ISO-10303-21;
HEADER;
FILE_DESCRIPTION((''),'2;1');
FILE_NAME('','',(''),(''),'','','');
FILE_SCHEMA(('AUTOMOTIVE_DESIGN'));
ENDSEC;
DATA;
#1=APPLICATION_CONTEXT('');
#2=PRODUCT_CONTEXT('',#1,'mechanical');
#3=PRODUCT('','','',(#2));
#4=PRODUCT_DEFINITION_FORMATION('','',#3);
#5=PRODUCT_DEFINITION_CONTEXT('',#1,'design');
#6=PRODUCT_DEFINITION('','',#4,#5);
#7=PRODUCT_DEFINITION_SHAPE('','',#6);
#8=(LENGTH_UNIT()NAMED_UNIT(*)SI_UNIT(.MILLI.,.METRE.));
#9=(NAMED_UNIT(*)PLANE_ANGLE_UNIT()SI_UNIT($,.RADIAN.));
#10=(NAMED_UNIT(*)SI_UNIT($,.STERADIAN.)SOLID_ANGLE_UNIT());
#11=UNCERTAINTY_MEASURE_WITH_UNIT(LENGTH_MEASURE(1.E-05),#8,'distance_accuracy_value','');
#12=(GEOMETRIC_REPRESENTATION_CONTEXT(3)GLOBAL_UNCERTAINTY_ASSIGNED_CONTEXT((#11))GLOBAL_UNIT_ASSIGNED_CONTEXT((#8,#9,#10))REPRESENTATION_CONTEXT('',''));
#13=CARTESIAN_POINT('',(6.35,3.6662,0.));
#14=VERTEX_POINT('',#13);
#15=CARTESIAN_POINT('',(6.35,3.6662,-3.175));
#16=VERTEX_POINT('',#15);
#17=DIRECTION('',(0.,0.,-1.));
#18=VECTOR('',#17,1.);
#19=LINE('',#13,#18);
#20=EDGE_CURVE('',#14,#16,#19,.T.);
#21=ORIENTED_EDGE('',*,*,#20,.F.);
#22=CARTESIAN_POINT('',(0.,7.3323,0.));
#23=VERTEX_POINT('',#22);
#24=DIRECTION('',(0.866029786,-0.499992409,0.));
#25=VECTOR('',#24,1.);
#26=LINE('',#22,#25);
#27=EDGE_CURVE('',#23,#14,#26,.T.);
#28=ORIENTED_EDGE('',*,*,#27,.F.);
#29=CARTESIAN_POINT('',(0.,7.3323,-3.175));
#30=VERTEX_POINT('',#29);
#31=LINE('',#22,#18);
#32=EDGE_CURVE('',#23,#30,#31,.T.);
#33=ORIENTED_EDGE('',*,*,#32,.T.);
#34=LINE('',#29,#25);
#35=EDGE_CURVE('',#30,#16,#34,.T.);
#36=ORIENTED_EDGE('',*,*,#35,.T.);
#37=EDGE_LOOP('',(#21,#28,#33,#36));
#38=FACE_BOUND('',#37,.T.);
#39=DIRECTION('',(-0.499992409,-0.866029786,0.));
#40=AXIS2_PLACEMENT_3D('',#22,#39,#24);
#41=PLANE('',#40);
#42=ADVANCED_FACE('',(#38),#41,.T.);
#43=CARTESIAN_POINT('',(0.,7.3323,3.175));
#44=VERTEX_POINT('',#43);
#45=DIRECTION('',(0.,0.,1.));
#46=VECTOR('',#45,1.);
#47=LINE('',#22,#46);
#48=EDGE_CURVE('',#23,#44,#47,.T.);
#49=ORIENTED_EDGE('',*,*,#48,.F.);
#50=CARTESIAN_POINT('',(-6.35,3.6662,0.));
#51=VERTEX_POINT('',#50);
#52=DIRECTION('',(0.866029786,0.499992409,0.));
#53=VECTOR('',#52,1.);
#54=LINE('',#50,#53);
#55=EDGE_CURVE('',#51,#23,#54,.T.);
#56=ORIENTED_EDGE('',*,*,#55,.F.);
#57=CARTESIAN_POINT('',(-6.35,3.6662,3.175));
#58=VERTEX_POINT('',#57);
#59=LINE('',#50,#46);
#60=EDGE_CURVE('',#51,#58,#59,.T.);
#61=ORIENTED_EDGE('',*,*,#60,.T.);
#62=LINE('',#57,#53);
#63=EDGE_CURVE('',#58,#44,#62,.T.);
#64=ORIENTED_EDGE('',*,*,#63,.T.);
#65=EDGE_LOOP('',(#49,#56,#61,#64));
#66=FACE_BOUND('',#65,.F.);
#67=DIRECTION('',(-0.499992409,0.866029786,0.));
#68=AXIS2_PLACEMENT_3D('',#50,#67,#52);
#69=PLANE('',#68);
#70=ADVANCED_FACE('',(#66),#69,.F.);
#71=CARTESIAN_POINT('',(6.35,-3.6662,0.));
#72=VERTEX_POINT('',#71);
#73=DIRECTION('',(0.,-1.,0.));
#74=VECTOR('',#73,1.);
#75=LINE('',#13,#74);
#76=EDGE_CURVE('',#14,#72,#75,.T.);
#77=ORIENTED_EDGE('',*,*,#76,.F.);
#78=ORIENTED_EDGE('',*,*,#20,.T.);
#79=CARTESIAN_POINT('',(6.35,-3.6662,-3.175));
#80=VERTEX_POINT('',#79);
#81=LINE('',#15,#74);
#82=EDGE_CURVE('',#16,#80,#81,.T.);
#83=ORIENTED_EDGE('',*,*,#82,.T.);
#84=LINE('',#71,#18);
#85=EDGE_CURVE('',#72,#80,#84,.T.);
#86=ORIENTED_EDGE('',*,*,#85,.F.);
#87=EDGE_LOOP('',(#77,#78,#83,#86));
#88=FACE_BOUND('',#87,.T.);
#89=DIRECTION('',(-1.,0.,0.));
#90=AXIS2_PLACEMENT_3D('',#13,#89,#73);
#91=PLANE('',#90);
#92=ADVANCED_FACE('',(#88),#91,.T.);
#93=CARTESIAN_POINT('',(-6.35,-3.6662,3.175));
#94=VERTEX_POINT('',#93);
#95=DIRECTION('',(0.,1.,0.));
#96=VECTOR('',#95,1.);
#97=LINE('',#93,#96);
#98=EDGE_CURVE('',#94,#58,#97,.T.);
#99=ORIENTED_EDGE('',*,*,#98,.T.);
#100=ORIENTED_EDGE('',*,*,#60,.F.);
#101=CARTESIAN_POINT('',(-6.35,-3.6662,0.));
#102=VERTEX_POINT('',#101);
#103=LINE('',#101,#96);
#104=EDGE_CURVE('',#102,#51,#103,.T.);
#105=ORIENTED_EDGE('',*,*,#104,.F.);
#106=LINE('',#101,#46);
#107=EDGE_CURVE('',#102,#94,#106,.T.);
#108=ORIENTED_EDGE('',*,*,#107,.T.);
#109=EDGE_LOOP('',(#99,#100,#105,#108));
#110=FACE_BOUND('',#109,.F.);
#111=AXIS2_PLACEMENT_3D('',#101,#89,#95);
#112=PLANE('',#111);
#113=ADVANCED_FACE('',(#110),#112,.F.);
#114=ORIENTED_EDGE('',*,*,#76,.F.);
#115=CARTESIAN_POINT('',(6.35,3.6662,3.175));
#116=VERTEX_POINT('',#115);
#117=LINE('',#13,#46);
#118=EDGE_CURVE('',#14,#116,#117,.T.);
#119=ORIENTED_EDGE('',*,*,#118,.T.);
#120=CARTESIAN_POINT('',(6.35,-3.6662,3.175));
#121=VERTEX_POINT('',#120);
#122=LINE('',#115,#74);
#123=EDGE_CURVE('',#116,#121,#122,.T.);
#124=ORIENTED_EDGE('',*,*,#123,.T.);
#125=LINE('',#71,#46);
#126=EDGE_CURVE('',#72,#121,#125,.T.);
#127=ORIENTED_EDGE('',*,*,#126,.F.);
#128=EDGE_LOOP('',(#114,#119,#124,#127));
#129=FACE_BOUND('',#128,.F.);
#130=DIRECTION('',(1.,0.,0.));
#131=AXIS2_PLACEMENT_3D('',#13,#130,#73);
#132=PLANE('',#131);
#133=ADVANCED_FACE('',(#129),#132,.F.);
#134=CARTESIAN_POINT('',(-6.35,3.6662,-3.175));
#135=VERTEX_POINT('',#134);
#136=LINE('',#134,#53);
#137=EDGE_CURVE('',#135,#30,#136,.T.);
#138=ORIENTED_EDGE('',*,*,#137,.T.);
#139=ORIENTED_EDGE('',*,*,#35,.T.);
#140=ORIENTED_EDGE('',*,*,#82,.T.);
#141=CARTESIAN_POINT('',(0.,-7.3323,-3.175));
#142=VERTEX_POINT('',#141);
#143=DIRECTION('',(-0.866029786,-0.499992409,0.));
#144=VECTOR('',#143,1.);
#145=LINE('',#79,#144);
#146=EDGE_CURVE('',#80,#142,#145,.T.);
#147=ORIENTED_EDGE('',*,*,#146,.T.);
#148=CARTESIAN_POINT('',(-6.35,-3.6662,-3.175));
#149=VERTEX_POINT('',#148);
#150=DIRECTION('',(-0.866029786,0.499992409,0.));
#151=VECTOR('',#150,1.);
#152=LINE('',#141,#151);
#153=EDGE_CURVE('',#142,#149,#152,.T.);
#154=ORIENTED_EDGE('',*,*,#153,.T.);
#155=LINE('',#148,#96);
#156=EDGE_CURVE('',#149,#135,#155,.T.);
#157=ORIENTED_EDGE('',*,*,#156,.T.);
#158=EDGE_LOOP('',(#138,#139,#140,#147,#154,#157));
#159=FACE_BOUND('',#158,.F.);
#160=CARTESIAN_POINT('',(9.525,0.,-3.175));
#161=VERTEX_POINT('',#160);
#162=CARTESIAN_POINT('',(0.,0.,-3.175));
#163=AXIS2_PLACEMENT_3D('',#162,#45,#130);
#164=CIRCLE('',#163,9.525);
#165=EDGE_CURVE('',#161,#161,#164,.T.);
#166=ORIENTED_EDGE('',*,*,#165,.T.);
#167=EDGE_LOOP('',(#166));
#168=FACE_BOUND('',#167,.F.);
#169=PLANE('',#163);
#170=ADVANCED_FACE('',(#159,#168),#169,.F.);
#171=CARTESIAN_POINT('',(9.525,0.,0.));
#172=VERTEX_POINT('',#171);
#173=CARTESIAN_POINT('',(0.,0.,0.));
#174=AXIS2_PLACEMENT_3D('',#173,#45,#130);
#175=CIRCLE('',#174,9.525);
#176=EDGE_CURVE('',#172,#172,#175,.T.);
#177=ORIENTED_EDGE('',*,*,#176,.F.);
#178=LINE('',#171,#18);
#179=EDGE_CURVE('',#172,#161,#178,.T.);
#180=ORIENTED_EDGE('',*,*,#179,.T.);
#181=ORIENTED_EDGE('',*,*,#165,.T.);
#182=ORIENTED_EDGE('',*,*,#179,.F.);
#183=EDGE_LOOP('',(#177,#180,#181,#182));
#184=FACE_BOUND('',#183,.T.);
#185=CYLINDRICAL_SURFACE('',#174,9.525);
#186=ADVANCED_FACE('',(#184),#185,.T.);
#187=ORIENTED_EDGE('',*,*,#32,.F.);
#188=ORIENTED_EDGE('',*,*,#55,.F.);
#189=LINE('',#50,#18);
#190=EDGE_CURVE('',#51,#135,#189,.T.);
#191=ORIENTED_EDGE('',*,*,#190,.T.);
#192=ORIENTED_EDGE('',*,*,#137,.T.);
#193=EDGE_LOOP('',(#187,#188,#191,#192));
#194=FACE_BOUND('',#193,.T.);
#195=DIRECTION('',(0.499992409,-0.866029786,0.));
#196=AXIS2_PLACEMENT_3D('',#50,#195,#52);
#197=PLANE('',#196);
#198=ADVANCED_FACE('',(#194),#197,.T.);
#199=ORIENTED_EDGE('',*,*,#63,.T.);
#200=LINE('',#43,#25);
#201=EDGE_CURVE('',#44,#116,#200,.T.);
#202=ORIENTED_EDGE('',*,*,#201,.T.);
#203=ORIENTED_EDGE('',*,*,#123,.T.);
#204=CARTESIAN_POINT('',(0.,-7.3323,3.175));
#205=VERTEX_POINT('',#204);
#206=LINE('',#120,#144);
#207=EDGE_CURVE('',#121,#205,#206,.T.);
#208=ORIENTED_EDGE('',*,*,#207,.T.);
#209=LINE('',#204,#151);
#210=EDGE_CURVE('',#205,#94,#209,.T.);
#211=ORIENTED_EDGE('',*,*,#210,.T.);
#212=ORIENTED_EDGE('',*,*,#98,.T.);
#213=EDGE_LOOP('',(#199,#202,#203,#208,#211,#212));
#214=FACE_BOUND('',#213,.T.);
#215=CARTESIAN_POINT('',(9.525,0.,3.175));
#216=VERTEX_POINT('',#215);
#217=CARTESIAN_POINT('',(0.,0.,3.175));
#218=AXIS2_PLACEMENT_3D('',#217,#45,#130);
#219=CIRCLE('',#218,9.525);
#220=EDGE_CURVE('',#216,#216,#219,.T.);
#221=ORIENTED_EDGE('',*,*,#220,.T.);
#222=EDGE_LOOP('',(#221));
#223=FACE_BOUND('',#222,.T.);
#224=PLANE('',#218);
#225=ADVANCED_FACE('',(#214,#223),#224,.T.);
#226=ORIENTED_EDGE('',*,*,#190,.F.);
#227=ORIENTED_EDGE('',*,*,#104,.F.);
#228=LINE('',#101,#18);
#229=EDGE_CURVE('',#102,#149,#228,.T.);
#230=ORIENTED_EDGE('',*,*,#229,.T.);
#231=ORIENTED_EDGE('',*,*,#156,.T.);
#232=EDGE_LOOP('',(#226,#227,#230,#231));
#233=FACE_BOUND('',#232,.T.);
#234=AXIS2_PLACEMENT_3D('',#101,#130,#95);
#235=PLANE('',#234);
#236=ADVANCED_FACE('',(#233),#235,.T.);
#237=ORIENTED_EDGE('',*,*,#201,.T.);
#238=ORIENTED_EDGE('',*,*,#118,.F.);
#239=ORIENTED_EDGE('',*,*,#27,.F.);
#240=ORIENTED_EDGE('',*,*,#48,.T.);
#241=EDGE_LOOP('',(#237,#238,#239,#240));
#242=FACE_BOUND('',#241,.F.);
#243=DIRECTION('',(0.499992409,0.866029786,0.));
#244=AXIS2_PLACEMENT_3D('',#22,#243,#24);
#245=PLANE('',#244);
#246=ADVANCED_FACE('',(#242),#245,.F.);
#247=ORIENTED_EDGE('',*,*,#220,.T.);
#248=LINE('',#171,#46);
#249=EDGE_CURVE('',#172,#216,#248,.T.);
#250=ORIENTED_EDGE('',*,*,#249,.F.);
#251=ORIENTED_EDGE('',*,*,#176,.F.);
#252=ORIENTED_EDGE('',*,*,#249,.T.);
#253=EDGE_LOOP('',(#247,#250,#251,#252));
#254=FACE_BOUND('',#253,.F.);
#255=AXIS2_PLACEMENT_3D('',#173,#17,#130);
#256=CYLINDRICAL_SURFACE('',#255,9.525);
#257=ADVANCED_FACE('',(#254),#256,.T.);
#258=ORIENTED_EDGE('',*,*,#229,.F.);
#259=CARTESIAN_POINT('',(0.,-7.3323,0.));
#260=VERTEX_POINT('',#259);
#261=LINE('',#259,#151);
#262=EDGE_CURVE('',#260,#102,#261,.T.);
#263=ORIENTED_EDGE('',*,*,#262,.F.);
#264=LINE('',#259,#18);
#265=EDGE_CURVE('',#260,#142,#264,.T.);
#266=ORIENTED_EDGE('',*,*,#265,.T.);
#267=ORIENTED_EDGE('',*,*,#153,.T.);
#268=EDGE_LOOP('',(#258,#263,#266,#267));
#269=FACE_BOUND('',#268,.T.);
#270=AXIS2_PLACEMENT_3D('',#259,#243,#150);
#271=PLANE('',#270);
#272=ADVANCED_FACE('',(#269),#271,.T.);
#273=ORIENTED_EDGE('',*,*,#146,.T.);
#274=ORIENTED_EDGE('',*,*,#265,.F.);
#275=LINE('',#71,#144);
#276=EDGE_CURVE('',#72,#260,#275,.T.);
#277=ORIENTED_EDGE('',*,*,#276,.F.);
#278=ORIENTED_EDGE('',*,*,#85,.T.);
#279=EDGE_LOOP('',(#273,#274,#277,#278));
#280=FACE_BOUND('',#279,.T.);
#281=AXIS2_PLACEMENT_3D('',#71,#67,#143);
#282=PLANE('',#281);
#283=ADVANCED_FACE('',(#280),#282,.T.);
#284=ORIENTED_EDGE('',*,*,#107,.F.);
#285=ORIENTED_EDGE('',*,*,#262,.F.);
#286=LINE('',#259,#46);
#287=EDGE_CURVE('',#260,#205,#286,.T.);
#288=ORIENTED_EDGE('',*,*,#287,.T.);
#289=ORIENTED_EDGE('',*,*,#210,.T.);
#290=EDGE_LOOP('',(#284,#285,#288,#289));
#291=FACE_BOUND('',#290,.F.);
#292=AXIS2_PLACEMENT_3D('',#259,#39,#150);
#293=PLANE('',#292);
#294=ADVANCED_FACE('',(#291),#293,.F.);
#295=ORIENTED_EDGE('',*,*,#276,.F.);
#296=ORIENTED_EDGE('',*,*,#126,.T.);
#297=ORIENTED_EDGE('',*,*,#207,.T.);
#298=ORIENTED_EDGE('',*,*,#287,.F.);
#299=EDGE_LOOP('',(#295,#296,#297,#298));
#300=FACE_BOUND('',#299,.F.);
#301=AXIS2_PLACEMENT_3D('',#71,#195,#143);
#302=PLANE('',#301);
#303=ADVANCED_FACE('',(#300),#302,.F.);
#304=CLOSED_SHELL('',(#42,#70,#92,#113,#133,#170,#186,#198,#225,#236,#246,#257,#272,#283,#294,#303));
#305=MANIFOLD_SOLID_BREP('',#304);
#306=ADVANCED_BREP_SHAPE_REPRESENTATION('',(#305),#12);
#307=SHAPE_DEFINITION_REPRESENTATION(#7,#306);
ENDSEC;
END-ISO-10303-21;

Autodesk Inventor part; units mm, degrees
ref_plane "YZ Plane" through (0, 0, 0) normal (1, 0, 0) x (0, 1, 0)
ref_plane "XZ Plane" through (0, 0, 0) normal (0, 1, 0) x (-1, 0, 0)
ref_plane "XY Plane" through (0, 0, 0) normal (0, 0, 1) x (1, 0, 0)
sketch "Sketch1" plane through (0, 0, 0) normal (0, 0, 1) x (1, 0, 0)
  circle A0 centre (0, 0) radius 9.525
  line L0 (0, 7.3323) -> (6.35, 3.6662)
  line L1 (6.35, 3.6662) -> (6.35, -3.6662)
  line L2 (6.35, -3.6662) -> (0, -7.3323)
  line L3 (0, -7.3323) -> (-6.35, -3.6662)
  line L4 (-6.35, -3.6662) -> (-6.35, 3.6662)
  line L5 (-6.35, 3.6662) -> (0, 7.3323)
  dimension "d0" = 19.05
  dimension "d2" = 12.7
extrude "Extrusion1" add sketch "Sketch1" along normal mid plane 6.35
properties part number "500 Hex Spacer x250" material "Nylon 6/6"
